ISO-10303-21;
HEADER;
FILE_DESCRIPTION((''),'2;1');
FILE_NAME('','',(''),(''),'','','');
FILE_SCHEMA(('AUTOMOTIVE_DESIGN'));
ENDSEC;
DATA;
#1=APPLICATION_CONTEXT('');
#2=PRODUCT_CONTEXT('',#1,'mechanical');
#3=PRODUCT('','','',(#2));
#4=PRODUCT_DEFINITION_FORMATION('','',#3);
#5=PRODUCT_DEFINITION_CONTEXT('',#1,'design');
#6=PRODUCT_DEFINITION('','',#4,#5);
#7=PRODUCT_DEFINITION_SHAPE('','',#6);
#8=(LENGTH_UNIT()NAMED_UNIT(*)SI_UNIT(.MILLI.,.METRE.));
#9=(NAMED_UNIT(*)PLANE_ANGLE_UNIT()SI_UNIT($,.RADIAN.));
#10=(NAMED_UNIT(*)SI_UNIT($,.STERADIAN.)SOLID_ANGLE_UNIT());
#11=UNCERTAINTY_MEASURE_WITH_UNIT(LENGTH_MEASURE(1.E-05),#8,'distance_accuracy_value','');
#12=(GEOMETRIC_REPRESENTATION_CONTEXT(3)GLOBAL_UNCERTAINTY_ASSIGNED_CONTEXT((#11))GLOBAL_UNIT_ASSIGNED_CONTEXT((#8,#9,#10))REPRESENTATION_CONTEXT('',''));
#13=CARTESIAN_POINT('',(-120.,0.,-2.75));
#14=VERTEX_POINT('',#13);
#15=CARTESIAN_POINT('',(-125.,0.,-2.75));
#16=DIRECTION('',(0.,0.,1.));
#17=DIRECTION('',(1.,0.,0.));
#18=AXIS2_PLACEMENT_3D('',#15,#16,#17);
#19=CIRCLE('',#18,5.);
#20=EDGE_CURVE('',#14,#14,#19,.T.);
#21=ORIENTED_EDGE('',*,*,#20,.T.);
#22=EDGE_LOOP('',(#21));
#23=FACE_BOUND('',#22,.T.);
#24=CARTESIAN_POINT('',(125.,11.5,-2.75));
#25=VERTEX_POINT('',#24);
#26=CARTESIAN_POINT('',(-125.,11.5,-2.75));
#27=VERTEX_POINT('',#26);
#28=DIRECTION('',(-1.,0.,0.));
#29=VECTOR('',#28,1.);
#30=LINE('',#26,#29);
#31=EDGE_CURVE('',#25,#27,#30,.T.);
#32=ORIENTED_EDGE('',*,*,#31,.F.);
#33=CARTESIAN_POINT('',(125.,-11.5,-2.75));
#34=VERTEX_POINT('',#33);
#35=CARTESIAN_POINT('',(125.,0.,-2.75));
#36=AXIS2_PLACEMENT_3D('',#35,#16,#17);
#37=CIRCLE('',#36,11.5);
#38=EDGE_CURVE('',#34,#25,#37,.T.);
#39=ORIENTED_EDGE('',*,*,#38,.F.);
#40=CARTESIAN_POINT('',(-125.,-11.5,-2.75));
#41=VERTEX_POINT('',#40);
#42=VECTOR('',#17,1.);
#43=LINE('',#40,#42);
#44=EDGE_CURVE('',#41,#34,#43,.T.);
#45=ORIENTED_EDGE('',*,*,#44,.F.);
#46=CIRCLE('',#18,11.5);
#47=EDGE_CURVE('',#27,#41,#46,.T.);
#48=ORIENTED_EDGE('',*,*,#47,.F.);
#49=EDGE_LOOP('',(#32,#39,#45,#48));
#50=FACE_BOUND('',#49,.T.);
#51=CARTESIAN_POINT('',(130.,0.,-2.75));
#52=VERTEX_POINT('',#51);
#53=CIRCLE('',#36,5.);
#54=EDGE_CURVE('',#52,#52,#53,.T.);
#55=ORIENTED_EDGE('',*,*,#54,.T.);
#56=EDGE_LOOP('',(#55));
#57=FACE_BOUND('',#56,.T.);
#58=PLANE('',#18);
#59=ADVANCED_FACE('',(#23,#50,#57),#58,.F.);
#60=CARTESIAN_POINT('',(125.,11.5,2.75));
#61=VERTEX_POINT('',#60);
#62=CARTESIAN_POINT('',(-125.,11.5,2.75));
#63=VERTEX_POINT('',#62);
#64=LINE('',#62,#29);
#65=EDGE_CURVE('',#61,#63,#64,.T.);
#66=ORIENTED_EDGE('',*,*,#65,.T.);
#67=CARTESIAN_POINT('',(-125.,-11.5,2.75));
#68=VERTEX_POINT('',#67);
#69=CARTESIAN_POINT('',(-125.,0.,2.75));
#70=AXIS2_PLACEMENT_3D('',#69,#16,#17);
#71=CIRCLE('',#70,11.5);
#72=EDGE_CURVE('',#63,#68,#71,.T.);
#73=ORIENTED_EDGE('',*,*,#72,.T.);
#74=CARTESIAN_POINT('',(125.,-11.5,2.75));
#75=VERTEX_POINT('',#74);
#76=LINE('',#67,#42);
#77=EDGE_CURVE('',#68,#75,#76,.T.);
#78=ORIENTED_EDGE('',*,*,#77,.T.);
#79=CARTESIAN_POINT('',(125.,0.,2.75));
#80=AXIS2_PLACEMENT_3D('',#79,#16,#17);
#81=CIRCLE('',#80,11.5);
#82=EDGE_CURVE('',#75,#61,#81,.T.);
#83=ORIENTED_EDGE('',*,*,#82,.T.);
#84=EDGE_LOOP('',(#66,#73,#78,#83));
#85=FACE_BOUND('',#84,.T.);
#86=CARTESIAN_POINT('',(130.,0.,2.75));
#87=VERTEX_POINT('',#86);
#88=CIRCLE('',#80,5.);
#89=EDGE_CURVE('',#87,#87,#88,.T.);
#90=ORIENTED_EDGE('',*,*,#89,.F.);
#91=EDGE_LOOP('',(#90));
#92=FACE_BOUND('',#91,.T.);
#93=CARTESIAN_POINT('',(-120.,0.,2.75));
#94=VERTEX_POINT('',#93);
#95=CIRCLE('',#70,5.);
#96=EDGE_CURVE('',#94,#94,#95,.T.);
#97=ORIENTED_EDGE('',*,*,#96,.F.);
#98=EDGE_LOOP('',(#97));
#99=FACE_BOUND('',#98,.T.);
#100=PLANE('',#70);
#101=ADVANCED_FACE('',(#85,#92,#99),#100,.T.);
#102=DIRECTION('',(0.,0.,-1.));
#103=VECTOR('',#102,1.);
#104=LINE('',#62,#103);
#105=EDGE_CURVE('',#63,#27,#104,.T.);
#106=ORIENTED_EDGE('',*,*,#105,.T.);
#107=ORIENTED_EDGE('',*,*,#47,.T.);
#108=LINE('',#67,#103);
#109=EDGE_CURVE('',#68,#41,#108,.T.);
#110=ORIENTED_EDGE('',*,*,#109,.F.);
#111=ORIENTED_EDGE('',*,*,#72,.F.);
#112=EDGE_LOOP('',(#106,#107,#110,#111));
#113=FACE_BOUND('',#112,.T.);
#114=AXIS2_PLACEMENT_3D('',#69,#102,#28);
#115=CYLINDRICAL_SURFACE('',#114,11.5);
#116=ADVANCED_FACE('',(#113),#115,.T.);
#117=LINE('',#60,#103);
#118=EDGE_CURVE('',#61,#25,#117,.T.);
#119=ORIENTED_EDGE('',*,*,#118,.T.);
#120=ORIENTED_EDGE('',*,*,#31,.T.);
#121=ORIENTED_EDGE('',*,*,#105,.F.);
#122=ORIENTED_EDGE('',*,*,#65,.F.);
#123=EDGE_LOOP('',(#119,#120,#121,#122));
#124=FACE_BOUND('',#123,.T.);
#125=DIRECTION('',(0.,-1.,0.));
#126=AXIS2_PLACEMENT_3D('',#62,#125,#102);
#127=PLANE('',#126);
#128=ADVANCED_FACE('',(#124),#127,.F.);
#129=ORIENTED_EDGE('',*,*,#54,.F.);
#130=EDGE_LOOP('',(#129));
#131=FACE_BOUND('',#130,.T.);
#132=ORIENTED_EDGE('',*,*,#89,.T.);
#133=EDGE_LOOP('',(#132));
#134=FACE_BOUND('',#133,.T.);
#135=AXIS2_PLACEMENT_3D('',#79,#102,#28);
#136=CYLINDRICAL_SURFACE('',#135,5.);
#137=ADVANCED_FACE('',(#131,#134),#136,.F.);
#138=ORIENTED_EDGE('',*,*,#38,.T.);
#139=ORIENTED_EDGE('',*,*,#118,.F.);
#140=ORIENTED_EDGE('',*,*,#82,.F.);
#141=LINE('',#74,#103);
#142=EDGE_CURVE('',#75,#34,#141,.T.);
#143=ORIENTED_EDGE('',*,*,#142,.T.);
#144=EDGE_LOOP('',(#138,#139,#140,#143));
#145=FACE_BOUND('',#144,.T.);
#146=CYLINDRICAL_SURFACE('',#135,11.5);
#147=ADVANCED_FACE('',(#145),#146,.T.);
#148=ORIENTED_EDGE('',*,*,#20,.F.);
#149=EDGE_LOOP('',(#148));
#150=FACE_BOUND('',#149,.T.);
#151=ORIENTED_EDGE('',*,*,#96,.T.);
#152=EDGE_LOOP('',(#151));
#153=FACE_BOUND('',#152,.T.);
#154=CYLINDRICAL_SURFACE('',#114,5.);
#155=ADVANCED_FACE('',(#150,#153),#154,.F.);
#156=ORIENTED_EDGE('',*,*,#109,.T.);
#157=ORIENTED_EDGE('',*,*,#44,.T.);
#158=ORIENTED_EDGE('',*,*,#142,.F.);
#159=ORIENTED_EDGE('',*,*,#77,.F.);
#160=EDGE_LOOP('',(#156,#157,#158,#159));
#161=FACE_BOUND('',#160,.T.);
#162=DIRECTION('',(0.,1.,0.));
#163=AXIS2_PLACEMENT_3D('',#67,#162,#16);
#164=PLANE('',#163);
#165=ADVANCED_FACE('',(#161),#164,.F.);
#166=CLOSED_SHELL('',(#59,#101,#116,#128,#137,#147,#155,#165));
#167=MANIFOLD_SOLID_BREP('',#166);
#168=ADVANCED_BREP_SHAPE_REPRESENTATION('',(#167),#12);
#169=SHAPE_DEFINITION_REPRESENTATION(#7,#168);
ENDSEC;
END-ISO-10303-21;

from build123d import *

# Parameters (mm, degrees)
SKETCH1_R        = 5
LINK_CD_JH_DEPTH = 2.75


with BuildPart() as part:
    # Sketch1 → link_CD_JH (new body, symmetric)
    with BuildSketch(Plane.XY):
        with BuildLine():
            Line((-125, 11.5), (125, 11.5))
            ThreePointArc((125, 11.5), (136.5, 0), (125, -11.5))
            Line((125, -11.5), (-125, -11.5))
            ThreePointArc((-125, -11.5), (-136.5, 0), (-125, 11.5))
        make_face()
        with Locations((-125, 0)):
            Circle(SKETCH1_R, mode=Mode.SUBTRACT)
        with Locations((125, 0)):
            Circle(SKETCH1_R, mode=Mode.SUBTRACT)
    extrude(amount=LINK_CD_JH_DEPTH, both=True)


solid = part.part
